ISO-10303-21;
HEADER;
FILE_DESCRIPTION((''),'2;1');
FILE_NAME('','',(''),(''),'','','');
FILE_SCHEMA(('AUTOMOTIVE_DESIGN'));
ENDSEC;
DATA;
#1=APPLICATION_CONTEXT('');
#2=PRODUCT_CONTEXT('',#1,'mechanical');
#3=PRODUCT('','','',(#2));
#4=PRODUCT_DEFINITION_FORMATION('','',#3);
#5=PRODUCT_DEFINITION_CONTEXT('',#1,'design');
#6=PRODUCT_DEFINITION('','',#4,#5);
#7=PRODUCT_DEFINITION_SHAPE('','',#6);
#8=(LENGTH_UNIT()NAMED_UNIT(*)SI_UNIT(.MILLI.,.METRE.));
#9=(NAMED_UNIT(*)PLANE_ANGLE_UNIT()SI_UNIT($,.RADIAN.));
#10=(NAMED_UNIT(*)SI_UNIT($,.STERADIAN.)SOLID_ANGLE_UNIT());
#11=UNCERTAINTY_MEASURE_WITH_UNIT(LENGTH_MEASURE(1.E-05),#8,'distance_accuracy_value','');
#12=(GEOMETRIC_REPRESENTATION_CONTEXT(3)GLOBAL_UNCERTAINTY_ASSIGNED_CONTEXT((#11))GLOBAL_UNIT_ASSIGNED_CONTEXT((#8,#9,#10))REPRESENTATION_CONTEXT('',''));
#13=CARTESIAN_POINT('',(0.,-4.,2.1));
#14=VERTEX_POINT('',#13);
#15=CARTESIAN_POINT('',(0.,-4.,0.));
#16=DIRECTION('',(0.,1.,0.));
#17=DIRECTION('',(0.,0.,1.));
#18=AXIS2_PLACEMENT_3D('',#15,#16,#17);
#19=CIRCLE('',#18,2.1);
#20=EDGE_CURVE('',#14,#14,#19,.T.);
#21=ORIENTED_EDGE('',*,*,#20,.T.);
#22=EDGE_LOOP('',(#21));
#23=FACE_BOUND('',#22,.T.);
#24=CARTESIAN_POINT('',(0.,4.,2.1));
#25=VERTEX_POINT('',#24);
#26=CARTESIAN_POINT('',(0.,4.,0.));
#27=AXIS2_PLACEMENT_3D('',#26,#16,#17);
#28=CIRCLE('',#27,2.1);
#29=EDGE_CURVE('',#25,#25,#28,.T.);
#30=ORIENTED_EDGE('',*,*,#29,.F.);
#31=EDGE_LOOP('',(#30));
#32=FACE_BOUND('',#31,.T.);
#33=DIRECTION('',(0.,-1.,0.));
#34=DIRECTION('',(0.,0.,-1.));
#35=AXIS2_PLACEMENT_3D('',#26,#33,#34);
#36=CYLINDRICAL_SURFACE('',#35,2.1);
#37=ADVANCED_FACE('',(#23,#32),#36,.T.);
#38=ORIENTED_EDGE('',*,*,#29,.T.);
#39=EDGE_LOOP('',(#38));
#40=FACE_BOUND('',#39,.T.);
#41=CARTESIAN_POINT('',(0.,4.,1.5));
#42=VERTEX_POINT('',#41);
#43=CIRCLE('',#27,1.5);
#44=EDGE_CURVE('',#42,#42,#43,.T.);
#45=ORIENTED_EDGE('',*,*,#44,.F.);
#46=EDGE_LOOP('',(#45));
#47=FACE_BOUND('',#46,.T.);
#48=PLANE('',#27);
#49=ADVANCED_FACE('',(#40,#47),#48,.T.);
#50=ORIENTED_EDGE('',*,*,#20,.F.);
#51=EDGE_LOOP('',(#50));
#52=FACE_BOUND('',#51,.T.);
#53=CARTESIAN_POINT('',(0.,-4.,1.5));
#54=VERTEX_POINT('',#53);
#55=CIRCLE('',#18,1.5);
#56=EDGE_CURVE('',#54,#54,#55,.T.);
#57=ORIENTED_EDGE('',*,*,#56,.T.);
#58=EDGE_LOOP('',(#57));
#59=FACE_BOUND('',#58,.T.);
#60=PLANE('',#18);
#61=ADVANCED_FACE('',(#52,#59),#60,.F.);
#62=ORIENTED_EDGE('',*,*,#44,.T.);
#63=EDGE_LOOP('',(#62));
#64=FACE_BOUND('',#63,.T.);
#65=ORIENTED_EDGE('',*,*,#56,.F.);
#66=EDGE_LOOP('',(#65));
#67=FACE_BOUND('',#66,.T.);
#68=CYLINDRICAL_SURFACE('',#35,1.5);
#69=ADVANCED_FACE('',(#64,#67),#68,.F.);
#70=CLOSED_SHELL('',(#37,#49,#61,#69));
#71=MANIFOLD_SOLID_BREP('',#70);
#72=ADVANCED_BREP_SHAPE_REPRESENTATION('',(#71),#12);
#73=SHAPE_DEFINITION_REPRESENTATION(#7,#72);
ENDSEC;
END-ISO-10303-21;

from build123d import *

# Parameters (mm, degrees)
SKETCH_1_R      = 2.1
SKETCH_1_R_2    = 1.5
EXTRUDE_1_DEPTH = 4


with BuildPart() as part:
    # 草图1 → 凸台-拉伸1 (new, symmetric)
    with BuildSketch(Plane(origin=(0, 0, 0), x_dir=(1, 0, 0), z_dir=(0, 1, 0))):
        with Locations(Location((0, 0, 0), (0, 0, 270))):
            Circle(SKETCH_1_R)
        with Locations(Location((0, 0, 0), (0, 0, 270))):
            Circle(SKETCH_1_R_2, mode=Mode.SUBTRACT)
    extrude(amount=EXTRUDE_1_DEPTH, both=True)


solid = part.part
